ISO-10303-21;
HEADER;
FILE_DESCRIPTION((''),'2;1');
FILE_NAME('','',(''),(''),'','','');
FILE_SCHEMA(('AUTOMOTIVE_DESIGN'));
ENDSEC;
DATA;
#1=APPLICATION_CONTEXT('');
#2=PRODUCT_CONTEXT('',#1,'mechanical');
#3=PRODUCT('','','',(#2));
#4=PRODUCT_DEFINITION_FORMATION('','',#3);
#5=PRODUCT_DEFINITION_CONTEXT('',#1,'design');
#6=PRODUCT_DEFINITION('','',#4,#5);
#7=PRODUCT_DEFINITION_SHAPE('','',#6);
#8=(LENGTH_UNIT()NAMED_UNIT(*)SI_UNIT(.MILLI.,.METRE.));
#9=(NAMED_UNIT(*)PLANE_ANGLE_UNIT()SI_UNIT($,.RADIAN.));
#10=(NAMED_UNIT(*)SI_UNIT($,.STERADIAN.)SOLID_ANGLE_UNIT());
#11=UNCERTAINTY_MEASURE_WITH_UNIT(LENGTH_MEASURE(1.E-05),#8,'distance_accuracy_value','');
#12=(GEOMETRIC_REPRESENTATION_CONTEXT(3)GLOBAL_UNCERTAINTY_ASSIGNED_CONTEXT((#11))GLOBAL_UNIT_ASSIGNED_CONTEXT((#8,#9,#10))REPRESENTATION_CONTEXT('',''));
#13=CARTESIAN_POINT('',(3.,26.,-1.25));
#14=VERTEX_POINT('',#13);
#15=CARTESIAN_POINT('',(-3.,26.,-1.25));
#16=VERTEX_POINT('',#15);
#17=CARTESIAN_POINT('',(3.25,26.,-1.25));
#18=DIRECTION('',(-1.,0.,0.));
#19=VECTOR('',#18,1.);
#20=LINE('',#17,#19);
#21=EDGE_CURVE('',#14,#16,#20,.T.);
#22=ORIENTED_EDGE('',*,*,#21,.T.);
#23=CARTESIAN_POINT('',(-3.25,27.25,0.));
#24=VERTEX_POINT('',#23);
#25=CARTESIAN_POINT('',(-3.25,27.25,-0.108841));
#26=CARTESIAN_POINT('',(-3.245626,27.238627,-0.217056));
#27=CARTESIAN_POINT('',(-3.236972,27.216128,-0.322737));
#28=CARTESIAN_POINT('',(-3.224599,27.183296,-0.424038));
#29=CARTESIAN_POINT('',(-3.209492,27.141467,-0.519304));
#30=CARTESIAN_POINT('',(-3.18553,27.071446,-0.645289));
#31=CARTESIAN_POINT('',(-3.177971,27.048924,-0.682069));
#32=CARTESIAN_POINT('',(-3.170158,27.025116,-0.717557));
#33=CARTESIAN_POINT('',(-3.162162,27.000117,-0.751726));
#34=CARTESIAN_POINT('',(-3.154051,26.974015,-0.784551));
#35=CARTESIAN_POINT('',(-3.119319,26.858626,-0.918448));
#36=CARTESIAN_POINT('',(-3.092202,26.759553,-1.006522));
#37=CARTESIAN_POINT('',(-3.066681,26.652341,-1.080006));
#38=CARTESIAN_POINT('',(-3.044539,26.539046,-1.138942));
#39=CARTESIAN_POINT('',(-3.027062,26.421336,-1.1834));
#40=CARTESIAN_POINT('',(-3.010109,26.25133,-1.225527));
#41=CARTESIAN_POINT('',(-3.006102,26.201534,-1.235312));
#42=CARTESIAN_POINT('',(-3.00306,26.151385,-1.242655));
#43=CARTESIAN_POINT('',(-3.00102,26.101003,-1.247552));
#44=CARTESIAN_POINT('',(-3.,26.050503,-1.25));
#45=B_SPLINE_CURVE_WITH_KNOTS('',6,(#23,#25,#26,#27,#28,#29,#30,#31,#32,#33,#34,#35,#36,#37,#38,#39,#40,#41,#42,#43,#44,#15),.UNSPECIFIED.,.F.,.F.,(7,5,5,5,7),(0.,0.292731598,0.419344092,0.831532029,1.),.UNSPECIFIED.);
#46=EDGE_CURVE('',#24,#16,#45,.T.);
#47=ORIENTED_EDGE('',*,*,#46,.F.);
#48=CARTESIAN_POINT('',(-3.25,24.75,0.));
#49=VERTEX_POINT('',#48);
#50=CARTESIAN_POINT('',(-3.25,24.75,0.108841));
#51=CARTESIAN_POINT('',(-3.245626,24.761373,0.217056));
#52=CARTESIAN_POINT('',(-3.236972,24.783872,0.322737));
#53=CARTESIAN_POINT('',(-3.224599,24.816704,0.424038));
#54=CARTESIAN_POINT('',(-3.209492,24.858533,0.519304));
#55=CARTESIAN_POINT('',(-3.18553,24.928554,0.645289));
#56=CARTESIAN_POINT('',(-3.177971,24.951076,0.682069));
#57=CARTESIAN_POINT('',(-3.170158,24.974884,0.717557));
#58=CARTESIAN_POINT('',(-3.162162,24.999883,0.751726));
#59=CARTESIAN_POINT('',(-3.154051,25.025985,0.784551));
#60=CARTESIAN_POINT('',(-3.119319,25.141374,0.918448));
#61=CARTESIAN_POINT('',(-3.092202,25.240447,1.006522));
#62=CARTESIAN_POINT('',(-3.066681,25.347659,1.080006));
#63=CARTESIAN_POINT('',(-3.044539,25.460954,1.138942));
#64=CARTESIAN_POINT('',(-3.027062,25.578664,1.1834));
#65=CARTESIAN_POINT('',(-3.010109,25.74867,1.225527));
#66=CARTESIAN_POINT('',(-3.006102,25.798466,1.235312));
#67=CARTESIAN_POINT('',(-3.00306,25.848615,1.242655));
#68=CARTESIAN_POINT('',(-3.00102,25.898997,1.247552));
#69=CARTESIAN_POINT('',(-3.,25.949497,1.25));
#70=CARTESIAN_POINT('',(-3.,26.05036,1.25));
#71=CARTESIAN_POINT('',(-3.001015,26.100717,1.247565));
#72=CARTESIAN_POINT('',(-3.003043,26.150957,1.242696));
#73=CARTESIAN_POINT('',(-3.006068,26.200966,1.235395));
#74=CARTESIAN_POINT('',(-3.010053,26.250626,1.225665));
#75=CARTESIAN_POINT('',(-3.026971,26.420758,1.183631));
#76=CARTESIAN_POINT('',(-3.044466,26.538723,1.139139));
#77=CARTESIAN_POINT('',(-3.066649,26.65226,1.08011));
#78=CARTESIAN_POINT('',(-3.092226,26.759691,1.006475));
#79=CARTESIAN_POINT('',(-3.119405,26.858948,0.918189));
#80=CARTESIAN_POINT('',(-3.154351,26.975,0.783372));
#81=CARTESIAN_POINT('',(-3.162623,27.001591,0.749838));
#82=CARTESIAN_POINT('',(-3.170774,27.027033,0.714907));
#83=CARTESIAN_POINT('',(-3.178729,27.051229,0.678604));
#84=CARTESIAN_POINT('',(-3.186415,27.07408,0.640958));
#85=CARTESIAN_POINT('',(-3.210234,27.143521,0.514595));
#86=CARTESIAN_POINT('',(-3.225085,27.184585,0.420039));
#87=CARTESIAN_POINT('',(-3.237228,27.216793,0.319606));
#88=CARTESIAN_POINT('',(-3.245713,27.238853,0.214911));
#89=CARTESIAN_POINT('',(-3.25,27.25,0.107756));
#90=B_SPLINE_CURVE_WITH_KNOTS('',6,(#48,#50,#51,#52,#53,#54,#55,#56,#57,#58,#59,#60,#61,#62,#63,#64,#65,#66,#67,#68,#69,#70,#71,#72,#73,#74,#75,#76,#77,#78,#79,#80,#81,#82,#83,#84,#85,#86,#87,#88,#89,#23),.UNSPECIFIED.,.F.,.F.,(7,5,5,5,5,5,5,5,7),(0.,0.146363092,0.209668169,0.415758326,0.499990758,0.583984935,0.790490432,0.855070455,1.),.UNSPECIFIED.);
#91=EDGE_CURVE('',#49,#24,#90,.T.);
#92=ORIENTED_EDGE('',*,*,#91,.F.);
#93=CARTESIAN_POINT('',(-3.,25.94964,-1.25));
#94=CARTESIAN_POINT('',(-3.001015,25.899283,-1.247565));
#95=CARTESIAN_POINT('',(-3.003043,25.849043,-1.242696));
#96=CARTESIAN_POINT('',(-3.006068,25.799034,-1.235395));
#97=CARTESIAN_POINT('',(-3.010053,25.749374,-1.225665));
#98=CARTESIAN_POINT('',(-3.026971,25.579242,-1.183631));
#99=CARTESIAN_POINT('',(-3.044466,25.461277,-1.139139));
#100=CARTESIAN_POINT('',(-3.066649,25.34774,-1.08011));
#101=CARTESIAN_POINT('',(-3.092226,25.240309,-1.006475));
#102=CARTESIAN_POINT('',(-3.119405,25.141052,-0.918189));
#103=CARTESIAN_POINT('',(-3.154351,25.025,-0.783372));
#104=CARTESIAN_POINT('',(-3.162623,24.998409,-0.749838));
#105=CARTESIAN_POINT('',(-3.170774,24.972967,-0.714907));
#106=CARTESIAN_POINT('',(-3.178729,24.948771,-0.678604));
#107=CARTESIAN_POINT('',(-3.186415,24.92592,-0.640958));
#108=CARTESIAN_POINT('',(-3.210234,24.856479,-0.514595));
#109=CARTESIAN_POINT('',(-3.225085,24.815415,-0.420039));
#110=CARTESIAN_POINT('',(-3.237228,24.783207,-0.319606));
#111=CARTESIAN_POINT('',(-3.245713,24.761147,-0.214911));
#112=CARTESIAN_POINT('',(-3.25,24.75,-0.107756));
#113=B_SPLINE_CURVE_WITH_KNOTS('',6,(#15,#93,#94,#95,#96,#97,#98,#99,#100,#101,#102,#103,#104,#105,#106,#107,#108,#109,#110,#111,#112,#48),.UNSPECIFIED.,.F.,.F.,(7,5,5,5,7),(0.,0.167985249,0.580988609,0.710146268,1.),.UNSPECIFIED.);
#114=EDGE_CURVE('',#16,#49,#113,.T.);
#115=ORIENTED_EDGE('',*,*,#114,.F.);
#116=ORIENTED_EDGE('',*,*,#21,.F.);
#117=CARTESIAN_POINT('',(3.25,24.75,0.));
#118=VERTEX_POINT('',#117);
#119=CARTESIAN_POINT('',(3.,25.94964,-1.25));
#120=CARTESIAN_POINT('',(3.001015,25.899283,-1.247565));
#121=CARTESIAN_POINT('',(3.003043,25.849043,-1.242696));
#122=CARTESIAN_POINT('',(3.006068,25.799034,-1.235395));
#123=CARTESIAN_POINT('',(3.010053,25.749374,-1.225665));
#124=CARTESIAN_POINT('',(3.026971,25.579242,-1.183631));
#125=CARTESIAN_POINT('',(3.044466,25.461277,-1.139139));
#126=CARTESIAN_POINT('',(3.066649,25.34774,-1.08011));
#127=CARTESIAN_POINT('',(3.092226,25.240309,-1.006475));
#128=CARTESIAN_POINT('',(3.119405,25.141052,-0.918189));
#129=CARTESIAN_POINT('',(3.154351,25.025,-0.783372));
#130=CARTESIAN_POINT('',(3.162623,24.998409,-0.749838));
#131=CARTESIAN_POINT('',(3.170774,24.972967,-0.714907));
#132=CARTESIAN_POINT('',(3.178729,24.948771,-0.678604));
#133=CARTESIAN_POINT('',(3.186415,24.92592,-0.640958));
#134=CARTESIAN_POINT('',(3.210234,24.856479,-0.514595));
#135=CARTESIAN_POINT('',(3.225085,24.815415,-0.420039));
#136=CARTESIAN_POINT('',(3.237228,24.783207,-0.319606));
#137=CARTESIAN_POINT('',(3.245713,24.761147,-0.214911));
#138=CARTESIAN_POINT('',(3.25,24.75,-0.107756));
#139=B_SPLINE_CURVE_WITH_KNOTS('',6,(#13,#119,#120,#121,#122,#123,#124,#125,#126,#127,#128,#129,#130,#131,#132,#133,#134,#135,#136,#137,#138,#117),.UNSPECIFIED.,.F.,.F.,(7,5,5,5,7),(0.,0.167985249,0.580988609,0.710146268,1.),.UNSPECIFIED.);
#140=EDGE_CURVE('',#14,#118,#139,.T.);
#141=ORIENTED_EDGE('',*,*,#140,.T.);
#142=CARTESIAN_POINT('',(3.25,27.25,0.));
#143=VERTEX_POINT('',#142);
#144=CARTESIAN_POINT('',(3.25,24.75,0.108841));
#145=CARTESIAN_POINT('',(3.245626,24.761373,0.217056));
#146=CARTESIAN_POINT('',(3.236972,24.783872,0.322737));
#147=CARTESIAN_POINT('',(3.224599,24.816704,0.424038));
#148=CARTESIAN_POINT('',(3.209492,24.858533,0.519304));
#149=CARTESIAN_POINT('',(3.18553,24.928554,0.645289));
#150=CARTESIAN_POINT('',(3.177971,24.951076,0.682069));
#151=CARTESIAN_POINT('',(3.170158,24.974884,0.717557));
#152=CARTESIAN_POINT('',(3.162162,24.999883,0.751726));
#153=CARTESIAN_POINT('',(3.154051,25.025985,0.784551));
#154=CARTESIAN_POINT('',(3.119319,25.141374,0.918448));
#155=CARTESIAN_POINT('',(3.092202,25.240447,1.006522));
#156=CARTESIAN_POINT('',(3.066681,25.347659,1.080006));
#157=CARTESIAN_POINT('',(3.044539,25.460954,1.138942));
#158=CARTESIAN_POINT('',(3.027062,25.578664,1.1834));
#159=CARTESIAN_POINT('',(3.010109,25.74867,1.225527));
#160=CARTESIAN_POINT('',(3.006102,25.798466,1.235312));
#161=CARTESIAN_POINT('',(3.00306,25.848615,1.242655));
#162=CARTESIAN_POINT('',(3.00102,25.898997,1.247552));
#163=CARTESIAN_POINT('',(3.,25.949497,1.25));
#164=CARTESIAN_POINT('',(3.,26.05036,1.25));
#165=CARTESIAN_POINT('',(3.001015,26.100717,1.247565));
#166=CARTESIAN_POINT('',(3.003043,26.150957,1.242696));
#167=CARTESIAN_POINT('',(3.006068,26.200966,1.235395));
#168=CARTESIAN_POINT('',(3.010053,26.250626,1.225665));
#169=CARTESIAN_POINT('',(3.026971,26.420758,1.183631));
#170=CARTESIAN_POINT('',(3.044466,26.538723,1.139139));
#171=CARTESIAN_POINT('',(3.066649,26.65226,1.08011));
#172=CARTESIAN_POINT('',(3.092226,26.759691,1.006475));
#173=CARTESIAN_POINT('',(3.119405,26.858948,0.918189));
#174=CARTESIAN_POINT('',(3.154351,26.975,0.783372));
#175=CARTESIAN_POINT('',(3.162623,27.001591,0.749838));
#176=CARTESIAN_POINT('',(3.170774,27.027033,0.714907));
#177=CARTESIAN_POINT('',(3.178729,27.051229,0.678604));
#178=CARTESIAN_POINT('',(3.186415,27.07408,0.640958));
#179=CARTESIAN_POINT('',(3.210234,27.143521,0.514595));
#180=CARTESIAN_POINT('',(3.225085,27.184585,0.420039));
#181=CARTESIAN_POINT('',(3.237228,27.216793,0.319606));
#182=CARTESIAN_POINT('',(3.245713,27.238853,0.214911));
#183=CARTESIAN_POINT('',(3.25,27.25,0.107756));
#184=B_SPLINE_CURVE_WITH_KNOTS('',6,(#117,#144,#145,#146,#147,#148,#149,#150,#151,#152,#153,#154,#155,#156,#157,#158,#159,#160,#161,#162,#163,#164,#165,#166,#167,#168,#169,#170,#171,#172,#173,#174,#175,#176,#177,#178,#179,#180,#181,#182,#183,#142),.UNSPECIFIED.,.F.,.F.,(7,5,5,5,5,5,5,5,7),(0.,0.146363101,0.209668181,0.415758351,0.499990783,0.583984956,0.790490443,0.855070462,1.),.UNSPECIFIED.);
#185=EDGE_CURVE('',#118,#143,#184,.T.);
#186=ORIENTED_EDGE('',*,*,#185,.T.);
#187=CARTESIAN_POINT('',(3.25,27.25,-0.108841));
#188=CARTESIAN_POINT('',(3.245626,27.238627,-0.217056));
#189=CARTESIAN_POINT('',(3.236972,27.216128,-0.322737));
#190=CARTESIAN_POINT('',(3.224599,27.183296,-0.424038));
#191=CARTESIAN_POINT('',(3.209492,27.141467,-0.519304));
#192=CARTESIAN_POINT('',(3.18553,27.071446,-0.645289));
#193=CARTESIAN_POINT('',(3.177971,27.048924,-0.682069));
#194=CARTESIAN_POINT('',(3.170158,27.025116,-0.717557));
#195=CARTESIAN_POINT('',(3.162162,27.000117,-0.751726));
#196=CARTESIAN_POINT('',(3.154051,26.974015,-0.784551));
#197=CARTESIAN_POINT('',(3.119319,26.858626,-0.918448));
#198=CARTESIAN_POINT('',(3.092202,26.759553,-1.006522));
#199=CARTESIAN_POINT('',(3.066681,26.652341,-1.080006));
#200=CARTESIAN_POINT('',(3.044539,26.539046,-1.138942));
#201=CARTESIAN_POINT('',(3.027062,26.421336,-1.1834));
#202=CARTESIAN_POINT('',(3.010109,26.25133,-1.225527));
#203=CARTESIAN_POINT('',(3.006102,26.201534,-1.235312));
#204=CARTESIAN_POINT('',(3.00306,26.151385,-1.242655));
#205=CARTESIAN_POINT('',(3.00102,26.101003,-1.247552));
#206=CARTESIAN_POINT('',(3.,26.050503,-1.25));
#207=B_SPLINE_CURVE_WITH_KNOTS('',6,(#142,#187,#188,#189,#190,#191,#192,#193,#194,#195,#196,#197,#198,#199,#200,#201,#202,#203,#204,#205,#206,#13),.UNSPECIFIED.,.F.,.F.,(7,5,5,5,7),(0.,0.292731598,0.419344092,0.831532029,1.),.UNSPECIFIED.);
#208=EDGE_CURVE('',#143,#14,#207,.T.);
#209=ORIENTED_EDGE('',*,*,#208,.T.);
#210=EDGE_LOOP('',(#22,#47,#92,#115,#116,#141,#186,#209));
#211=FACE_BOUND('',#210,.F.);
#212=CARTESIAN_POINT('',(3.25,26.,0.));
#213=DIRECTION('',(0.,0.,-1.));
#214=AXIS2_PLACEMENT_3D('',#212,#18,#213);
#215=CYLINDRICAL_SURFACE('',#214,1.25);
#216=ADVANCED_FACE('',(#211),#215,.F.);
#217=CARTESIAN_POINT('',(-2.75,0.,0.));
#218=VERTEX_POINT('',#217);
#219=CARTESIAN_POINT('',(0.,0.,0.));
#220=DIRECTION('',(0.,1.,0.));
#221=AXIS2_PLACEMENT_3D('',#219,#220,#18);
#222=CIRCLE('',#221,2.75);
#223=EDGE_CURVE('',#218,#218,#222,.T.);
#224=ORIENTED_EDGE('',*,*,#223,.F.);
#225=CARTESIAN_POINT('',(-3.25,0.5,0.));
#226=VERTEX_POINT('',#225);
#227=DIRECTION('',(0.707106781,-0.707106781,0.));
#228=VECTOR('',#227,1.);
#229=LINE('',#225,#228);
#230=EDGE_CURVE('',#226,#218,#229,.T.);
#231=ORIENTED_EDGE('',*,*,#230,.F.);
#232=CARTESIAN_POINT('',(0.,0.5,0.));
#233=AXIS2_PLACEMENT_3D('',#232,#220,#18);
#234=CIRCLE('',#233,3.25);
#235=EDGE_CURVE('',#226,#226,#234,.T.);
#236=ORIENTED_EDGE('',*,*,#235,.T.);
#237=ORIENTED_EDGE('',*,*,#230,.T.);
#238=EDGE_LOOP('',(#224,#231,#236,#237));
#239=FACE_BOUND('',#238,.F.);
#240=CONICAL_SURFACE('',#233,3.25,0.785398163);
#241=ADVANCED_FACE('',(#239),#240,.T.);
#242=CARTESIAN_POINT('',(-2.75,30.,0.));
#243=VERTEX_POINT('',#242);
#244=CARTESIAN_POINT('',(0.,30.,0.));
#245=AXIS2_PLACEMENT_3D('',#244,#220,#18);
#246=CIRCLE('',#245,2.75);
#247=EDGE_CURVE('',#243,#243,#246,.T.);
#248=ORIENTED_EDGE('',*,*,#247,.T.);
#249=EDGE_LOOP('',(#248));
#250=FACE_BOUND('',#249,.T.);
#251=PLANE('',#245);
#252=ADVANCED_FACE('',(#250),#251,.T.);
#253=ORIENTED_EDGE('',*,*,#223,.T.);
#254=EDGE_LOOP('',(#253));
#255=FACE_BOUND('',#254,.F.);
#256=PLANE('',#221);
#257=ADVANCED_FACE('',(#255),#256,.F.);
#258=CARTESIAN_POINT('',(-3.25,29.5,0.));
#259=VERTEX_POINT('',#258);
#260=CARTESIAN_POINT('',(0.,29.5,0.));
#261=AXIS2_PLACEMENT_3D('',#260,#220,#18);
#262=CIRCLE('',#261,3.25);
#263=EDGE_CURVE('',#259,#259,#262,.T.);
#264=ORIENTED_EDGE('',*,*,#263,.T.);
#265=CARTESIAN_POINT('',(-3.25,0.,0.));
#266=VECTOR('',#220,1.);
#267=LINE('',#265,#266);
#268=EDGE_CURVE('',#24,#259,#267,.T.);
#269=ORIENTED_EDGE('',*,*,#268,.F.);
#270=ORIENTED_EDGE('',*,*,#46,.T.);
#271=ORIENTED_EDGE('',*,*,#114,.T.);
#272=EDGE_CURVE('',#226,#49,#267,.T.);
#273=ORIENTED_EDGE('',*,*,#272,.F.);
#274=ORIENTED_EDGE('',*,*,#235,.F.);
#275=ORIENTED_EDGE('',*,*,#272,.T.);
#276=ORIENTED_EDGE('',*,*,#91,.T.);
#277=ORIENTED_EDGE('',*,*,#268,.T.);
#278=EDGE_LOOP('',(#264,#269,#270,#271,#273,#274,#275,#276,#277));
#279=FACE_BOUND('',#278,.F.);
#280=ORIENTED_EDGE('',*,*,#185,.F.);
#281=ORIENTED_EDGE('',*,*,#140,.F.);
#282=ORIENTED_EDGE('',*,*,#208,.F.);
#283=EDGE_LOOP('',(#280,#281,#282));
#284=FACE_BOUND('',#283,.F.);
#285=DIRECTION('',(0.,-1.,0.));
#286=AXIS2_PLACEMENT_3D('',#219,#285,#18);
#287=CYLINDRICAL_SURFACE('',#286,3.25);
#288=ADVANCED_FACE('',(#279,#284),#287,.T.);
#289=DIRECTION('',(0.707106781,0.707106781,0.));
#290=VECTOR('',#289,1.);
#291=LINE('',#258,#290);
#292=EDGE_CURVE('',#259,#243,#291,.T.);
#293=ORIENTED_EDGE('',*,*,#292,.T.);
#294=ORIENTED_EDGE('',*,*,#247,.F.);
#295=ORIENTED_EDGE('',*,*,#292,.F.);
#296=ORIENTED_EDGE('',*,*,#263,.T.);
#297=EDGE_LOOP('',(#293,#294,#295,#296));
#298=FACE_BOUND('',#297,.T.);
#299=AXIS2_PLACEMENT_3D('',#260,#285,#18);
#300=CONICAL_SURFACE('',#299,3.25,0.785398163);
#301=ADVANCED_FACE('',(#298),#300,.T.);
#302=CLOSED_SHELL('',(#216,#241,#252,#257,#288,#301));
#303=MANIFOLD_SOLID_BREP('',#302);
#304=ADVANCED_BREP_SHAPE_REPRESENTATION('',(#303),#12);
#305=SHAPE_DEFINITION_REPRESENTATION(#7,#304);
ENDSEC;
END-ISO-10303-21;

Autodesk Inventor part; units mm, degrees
ref_plane "XZ Plane" through (0, 0, 0) normal (0, 1, 0) x (-1, 0, 0)
ref_plane "XY Plane" through (0, 0, 0) normal (0, 0, 1) x (1, 0, 0)
sketch "Skizze1" plane through (0, 0, 0) normal (0, 1, 0) x (-1, 0, 0)
  circle A0 centre (0, 0) radius 3.25
  dimension "d0" = 6.5
extrude "Extrusion1" add sketch "Skizze1" along normal blind 30
chamfer "Fasen1" distance 0.5 angle 45 2 edges at (3.25, 30, 0) (3.25, 0, 0)
ref_plane "Arbeitsebene1" through (3.25, 0, 0) normal (1, 0, 0) x (0, 1, 0)
sketch "Skizze2" plane through (3.25, 0, 0) normal (1, 0, 0) x (0, 1, 0)
  line L0 (0, -2.75) -> (0, 2.75) projected
  line L1 (30, 2.75) -> (30, -2.75) projected
  point P0 (0, 0)
  point P1 (26, 0)
  point P2 (0, 0)
  dimension "d8" = 4
hole "Bohrung1" at (3.25, 26, 0) direction (-1, 0, 0) diameter 2.5 end through all
properties part number "BMS_bolts" material "Edelstahl"
